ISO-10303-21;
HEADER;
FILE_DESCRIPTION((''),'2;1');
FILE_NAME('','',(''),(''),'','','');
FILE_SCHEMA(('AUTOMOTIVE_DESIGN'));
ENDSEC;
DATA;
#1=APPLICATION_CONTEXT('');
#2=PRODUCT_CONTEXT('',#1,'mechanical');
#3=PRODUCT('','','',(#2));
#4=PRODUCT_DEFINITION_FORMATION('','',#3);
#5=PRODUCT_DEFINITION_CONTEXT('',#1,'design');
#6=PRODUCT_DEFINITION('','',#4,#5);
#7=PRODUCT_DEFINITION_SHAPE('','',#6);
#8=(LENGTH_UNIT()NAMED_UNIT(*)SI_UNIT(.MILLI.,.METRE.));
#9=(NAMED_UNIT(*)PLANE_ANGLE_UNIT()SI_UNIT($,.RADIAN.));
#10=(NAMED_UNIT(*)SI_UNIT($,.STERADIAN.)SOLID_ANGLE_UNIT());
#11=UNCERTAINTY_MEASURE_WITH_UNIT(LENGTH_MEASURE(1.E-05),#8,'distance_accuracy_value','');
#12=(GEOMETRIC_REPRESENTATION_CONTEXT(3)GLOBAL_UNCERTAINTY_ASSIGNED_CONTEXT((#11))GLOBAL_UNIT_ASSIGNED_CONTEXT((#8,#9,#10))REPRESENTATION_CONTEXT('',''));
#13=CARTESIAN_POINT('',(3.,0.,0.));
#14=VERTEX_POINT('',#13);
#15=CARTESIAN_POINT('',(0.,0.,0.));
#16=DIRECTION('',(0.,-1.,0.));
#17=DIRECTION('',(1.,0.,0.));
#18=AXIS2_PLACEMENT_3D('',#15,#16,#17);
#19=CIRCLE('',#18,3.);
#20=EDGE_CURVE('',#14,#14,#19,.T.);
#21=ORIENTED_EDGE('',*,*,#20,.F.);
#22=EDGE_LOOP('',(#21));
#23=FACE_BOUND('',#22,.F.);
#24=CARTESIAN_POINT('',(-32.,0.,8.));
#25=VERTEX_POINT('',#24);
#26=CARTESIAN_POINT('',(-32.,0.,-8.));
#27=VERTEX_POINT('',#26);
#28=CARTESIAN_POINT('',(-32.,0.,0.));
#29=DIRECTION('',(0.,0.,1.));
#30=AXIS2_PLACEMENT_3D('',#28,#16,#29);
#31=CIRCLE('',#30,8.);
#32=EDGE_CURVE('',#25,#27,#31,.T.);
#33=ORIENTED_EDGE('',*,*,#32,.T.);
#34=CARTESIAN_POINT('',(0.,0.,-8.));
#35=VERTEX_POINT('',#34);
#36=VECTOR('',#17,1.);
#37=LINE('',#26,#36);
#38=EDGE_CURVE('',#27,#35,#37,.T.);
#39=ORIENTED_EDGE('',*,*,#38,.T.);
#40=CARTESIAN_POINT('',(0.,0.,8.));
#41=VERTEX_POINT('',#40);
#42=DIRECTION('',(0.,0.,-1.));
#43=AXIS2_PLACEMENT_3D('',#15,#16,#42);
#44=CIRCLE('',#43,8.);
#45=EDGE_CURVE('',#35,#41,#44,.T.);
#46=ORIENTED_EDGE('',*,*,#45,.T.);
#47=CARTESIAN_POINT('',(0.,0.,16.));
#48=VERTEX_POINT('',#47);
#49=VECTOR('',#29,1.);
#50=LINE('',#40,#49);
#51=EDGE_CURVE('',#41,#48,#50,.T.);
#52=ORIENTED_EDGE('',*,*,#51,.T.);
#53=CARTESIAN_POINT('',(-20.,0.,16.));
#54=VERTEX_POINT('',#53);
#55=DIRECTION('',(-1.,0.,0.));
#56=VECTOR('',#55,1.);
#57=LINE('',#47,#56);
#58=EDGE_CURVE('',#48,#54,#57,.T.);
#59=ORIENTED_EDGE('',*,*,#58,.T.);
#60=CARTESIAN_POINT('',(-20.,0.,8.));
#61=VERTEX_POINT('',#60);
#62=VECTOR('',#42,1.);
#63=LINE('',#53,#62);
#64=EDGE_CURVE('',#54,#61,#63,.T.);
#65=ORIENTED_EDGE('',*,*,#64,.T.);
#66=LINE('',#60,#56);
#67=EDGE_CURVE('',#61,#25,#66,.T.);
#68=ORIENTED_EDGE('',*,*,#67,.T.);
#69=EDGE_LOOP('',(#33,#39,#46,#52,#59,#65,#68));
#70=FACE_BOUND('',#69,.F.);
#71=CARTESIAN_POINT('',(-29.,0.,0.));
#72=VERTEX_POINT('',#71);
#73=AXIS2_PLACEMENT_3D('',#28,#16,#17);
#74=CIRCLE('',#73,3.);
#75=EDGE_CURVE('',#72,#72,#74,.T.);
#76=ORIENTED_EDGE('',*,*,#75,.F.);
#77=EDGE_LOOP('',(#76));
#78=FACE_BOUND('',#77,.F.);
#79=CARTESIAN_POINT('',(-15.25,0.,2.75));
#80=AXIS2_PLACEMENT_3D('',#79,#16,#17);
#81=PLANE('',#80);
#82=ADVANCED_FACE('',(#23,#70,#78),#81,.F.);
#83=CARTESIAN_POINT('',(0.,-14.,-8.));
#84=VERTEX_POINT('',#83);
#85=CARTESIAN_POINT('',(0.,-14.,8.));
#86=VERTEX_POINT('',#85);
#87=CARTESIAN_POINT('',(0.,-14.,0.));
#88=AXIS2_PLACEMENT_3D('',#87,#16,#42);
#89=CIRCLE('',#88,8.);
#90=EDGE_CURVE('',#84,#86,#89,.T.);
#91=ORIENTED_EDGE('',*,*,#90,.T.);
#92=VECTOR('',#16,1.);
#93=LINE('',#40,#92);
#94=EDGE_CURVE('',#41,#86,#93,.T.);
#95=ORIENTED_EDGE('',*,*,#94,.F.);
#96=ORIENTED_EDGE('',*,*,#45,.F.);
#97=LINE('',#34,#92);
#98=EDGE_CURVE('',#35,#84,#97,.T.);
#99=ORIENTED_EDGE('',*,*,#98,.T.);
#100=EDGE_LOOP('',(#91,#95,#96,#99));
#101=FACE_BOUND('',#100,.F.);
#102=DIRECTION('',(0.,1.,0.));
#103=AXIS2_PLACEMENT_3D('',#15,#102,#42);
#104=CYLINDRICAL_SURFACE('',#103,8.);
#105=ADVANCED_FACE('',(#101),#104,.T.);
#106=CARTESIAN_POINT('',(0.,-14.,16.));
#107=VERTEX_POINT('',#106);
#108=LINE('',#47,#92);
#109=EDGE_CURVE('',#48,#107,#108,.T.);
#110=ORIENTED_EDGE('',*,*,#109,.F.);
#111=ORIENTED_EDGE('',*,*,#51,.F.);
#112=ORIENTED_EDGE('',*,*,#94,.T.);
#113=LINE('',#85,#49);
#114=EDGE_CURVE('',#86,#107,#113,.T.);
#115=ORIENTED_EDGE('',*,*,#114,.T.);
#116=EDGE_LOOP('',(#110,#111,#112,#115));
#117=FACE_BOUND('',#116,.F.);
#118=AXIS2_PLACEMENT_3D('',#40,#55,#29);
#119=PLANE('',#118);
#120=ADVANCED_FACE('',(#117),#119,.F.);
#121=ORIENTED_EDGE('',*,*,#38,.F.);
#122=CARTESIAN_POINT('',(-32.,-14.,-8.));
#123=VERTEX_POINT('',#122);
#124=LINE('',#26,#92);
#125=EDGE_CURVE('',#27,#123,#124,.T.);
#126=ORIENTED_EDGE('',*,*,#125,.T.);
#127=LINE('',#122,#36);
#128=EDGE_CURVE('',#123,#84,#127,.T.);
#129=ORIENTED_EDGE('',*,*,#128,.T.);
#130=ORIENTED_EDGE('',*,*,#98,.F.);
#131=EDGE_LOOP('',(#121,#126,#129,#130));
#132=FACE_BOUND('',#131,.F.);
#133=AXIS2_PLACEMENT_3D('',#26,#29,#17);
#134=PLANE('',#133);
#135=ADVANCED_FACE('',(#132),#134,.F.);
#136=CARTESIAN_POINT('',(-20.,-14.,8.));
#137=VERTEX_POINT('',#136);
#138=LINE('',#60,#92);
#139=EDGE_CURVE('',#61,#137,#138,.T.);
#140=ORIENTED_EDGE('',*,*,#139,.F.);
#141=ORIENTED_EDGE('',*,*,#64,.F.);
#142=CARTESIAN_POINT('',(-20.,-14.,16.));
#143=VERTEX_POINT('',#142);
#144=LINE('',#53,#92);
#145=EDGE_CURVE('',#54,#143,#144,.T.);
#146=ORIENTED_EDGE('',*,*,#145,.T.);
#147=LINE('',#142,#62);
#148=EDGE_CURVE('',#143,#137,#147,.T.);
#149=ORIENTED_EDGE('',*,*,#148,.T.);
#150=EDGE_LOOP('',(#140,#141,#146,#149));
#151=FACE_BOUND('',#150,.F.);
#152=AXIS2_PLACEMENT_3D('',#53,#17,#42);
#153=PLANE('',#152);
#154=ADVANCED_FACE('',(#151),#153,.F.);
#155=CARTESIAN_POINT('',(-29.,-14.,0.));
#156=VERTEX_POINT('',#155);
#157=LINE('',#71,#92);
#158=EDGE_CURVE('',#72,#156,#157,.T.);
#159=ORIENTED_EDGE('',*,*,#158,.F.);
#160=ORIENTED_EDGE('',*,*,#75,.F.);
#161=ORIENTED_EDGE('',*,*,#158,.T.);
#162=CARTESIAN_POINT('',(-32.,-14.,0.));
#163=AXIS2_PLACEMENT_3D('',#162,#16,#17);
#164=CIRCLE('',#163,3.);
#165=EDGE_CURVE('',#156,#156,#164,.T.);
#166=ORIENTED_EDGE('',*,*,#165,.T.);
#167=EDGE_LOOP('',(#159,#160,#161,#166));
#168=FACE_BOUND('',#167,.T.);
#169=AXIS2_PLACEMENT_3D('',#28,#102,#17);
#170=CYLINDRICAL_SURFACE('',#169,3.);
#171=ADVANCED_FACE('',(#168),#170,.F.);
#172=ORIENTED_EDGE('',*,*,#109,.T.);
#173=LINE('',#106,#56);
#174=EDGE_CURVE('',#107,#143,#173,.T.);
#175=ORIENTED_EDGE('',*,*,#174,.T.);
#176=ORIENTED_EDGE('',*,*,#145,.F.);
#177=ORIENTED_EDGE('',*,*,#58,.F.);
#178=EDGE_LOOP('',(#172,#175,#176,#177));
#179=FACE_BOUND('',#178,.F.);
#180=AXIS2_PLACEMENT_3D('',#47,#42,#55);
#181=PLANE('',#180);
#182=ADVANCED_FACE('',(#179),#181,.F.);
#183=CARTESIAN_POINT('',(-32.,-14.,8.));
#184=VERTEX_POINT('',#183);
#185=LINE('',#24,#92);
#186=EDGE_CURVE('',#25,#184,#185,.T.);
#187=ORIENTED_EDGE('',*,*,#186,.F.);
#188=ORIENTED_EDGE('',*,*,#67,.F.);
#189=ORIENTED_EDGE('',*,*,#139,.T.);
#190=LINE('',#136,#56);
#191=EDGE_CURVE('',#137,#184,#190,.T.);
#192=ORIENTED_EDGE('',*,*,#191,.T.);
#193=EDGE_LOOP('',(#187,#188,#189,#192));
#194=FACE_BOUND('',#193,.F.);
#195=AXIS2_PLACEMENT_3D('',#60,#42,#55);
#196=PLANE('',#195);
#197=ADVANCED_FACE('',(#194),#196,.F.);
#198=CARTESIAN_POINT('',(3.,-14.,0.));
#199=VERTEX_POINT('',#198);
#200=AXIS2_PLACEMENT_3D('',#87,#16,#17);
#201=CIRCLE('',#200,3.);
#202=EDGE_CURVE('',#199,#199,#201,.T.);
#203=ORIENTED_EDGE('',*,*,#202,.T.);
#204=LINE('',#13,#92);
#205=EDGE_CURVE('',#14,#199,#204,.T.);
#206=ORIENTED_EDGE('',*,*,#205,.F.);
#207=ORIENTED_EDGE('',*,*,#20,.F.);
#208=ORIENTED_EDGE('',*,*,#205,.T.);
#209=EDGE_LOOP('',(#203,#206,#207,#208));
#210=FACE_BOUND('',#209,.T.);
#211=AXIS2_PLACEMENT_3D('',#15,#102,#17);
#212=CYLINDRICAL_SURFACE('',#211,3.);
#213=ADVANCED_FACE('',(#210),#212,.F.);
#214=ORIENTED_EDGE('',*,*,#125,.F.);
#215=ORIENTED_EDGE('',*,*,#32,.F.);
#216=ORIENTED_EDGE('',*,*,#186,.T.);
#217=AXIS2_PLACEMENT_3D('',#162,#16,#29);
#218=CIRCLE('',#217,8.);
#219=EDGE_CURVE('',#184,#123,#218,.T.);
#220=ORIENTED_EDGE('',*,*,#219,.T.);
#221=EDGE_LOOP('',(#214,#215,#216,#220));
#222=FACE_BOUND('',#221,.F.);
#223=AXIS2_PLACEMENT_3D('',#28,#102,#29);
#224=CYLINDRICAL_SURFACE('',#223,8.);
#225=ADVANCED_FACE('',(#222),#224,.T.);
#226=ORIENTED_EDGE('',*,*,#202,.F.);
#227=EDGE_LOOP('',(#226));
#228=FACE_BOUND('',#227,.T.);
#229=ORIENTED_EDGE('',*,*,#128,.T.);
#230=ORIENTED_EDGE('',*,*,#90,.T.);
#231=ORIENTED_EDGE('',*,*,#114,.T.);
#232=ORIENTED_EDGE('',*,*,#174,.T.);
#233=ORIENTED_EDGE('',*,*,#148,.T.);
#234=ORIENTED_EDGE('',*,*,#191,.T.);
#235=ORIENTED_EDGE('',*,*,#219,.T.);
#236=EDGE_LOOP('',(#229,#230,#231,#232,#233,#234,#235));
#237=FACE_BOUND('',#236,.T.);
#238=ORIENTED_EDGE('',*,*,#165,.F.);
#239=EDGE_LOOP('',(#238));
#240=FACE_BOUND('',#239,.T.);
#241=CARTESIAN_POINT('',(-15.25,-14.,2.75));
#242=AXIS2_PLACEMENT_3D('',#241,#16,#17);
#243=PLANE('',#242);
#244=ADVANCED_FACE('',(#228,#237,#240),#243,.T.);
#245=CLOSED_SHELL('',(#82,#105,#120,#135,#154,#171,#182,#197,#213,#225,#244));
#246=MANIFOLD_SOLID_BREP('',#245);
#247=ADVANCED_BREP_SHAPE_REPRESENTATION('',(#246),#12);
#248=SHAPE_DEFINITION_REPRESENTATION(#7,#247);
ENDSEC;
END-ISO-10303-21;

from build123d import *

# Parameters (mm, degrees)
F0_R     = 3
F1_DEPTH = 14


with BuildPart() as f1:
    # F0 (on Front) → F1 (new body)
    with BuildSketch(Plane.XZ):
        with BuildLine():
            Line((-20, 8), (-32, 8))
            ThreePointArc((-32, 8), (-40, 0), (-32, -8))
            Line((-32, -8), (0, -8))
            ThreePointArc((0, -8), (8, 0), (0, 8))
            Line((0, 8), (0, 16))
            Line((0, 16), (-20, 16))
            Line((-20, 16), (-20, 8))
        make_face()
        with Locations((-32, 0)):
            Circle(F0_R, mode=Mode.SUBTRACT)
        Circle(F0_R, mode=Mode.SUBTRACT)
    extrude(amount=F1_DEPTH)


solid = f1.part
